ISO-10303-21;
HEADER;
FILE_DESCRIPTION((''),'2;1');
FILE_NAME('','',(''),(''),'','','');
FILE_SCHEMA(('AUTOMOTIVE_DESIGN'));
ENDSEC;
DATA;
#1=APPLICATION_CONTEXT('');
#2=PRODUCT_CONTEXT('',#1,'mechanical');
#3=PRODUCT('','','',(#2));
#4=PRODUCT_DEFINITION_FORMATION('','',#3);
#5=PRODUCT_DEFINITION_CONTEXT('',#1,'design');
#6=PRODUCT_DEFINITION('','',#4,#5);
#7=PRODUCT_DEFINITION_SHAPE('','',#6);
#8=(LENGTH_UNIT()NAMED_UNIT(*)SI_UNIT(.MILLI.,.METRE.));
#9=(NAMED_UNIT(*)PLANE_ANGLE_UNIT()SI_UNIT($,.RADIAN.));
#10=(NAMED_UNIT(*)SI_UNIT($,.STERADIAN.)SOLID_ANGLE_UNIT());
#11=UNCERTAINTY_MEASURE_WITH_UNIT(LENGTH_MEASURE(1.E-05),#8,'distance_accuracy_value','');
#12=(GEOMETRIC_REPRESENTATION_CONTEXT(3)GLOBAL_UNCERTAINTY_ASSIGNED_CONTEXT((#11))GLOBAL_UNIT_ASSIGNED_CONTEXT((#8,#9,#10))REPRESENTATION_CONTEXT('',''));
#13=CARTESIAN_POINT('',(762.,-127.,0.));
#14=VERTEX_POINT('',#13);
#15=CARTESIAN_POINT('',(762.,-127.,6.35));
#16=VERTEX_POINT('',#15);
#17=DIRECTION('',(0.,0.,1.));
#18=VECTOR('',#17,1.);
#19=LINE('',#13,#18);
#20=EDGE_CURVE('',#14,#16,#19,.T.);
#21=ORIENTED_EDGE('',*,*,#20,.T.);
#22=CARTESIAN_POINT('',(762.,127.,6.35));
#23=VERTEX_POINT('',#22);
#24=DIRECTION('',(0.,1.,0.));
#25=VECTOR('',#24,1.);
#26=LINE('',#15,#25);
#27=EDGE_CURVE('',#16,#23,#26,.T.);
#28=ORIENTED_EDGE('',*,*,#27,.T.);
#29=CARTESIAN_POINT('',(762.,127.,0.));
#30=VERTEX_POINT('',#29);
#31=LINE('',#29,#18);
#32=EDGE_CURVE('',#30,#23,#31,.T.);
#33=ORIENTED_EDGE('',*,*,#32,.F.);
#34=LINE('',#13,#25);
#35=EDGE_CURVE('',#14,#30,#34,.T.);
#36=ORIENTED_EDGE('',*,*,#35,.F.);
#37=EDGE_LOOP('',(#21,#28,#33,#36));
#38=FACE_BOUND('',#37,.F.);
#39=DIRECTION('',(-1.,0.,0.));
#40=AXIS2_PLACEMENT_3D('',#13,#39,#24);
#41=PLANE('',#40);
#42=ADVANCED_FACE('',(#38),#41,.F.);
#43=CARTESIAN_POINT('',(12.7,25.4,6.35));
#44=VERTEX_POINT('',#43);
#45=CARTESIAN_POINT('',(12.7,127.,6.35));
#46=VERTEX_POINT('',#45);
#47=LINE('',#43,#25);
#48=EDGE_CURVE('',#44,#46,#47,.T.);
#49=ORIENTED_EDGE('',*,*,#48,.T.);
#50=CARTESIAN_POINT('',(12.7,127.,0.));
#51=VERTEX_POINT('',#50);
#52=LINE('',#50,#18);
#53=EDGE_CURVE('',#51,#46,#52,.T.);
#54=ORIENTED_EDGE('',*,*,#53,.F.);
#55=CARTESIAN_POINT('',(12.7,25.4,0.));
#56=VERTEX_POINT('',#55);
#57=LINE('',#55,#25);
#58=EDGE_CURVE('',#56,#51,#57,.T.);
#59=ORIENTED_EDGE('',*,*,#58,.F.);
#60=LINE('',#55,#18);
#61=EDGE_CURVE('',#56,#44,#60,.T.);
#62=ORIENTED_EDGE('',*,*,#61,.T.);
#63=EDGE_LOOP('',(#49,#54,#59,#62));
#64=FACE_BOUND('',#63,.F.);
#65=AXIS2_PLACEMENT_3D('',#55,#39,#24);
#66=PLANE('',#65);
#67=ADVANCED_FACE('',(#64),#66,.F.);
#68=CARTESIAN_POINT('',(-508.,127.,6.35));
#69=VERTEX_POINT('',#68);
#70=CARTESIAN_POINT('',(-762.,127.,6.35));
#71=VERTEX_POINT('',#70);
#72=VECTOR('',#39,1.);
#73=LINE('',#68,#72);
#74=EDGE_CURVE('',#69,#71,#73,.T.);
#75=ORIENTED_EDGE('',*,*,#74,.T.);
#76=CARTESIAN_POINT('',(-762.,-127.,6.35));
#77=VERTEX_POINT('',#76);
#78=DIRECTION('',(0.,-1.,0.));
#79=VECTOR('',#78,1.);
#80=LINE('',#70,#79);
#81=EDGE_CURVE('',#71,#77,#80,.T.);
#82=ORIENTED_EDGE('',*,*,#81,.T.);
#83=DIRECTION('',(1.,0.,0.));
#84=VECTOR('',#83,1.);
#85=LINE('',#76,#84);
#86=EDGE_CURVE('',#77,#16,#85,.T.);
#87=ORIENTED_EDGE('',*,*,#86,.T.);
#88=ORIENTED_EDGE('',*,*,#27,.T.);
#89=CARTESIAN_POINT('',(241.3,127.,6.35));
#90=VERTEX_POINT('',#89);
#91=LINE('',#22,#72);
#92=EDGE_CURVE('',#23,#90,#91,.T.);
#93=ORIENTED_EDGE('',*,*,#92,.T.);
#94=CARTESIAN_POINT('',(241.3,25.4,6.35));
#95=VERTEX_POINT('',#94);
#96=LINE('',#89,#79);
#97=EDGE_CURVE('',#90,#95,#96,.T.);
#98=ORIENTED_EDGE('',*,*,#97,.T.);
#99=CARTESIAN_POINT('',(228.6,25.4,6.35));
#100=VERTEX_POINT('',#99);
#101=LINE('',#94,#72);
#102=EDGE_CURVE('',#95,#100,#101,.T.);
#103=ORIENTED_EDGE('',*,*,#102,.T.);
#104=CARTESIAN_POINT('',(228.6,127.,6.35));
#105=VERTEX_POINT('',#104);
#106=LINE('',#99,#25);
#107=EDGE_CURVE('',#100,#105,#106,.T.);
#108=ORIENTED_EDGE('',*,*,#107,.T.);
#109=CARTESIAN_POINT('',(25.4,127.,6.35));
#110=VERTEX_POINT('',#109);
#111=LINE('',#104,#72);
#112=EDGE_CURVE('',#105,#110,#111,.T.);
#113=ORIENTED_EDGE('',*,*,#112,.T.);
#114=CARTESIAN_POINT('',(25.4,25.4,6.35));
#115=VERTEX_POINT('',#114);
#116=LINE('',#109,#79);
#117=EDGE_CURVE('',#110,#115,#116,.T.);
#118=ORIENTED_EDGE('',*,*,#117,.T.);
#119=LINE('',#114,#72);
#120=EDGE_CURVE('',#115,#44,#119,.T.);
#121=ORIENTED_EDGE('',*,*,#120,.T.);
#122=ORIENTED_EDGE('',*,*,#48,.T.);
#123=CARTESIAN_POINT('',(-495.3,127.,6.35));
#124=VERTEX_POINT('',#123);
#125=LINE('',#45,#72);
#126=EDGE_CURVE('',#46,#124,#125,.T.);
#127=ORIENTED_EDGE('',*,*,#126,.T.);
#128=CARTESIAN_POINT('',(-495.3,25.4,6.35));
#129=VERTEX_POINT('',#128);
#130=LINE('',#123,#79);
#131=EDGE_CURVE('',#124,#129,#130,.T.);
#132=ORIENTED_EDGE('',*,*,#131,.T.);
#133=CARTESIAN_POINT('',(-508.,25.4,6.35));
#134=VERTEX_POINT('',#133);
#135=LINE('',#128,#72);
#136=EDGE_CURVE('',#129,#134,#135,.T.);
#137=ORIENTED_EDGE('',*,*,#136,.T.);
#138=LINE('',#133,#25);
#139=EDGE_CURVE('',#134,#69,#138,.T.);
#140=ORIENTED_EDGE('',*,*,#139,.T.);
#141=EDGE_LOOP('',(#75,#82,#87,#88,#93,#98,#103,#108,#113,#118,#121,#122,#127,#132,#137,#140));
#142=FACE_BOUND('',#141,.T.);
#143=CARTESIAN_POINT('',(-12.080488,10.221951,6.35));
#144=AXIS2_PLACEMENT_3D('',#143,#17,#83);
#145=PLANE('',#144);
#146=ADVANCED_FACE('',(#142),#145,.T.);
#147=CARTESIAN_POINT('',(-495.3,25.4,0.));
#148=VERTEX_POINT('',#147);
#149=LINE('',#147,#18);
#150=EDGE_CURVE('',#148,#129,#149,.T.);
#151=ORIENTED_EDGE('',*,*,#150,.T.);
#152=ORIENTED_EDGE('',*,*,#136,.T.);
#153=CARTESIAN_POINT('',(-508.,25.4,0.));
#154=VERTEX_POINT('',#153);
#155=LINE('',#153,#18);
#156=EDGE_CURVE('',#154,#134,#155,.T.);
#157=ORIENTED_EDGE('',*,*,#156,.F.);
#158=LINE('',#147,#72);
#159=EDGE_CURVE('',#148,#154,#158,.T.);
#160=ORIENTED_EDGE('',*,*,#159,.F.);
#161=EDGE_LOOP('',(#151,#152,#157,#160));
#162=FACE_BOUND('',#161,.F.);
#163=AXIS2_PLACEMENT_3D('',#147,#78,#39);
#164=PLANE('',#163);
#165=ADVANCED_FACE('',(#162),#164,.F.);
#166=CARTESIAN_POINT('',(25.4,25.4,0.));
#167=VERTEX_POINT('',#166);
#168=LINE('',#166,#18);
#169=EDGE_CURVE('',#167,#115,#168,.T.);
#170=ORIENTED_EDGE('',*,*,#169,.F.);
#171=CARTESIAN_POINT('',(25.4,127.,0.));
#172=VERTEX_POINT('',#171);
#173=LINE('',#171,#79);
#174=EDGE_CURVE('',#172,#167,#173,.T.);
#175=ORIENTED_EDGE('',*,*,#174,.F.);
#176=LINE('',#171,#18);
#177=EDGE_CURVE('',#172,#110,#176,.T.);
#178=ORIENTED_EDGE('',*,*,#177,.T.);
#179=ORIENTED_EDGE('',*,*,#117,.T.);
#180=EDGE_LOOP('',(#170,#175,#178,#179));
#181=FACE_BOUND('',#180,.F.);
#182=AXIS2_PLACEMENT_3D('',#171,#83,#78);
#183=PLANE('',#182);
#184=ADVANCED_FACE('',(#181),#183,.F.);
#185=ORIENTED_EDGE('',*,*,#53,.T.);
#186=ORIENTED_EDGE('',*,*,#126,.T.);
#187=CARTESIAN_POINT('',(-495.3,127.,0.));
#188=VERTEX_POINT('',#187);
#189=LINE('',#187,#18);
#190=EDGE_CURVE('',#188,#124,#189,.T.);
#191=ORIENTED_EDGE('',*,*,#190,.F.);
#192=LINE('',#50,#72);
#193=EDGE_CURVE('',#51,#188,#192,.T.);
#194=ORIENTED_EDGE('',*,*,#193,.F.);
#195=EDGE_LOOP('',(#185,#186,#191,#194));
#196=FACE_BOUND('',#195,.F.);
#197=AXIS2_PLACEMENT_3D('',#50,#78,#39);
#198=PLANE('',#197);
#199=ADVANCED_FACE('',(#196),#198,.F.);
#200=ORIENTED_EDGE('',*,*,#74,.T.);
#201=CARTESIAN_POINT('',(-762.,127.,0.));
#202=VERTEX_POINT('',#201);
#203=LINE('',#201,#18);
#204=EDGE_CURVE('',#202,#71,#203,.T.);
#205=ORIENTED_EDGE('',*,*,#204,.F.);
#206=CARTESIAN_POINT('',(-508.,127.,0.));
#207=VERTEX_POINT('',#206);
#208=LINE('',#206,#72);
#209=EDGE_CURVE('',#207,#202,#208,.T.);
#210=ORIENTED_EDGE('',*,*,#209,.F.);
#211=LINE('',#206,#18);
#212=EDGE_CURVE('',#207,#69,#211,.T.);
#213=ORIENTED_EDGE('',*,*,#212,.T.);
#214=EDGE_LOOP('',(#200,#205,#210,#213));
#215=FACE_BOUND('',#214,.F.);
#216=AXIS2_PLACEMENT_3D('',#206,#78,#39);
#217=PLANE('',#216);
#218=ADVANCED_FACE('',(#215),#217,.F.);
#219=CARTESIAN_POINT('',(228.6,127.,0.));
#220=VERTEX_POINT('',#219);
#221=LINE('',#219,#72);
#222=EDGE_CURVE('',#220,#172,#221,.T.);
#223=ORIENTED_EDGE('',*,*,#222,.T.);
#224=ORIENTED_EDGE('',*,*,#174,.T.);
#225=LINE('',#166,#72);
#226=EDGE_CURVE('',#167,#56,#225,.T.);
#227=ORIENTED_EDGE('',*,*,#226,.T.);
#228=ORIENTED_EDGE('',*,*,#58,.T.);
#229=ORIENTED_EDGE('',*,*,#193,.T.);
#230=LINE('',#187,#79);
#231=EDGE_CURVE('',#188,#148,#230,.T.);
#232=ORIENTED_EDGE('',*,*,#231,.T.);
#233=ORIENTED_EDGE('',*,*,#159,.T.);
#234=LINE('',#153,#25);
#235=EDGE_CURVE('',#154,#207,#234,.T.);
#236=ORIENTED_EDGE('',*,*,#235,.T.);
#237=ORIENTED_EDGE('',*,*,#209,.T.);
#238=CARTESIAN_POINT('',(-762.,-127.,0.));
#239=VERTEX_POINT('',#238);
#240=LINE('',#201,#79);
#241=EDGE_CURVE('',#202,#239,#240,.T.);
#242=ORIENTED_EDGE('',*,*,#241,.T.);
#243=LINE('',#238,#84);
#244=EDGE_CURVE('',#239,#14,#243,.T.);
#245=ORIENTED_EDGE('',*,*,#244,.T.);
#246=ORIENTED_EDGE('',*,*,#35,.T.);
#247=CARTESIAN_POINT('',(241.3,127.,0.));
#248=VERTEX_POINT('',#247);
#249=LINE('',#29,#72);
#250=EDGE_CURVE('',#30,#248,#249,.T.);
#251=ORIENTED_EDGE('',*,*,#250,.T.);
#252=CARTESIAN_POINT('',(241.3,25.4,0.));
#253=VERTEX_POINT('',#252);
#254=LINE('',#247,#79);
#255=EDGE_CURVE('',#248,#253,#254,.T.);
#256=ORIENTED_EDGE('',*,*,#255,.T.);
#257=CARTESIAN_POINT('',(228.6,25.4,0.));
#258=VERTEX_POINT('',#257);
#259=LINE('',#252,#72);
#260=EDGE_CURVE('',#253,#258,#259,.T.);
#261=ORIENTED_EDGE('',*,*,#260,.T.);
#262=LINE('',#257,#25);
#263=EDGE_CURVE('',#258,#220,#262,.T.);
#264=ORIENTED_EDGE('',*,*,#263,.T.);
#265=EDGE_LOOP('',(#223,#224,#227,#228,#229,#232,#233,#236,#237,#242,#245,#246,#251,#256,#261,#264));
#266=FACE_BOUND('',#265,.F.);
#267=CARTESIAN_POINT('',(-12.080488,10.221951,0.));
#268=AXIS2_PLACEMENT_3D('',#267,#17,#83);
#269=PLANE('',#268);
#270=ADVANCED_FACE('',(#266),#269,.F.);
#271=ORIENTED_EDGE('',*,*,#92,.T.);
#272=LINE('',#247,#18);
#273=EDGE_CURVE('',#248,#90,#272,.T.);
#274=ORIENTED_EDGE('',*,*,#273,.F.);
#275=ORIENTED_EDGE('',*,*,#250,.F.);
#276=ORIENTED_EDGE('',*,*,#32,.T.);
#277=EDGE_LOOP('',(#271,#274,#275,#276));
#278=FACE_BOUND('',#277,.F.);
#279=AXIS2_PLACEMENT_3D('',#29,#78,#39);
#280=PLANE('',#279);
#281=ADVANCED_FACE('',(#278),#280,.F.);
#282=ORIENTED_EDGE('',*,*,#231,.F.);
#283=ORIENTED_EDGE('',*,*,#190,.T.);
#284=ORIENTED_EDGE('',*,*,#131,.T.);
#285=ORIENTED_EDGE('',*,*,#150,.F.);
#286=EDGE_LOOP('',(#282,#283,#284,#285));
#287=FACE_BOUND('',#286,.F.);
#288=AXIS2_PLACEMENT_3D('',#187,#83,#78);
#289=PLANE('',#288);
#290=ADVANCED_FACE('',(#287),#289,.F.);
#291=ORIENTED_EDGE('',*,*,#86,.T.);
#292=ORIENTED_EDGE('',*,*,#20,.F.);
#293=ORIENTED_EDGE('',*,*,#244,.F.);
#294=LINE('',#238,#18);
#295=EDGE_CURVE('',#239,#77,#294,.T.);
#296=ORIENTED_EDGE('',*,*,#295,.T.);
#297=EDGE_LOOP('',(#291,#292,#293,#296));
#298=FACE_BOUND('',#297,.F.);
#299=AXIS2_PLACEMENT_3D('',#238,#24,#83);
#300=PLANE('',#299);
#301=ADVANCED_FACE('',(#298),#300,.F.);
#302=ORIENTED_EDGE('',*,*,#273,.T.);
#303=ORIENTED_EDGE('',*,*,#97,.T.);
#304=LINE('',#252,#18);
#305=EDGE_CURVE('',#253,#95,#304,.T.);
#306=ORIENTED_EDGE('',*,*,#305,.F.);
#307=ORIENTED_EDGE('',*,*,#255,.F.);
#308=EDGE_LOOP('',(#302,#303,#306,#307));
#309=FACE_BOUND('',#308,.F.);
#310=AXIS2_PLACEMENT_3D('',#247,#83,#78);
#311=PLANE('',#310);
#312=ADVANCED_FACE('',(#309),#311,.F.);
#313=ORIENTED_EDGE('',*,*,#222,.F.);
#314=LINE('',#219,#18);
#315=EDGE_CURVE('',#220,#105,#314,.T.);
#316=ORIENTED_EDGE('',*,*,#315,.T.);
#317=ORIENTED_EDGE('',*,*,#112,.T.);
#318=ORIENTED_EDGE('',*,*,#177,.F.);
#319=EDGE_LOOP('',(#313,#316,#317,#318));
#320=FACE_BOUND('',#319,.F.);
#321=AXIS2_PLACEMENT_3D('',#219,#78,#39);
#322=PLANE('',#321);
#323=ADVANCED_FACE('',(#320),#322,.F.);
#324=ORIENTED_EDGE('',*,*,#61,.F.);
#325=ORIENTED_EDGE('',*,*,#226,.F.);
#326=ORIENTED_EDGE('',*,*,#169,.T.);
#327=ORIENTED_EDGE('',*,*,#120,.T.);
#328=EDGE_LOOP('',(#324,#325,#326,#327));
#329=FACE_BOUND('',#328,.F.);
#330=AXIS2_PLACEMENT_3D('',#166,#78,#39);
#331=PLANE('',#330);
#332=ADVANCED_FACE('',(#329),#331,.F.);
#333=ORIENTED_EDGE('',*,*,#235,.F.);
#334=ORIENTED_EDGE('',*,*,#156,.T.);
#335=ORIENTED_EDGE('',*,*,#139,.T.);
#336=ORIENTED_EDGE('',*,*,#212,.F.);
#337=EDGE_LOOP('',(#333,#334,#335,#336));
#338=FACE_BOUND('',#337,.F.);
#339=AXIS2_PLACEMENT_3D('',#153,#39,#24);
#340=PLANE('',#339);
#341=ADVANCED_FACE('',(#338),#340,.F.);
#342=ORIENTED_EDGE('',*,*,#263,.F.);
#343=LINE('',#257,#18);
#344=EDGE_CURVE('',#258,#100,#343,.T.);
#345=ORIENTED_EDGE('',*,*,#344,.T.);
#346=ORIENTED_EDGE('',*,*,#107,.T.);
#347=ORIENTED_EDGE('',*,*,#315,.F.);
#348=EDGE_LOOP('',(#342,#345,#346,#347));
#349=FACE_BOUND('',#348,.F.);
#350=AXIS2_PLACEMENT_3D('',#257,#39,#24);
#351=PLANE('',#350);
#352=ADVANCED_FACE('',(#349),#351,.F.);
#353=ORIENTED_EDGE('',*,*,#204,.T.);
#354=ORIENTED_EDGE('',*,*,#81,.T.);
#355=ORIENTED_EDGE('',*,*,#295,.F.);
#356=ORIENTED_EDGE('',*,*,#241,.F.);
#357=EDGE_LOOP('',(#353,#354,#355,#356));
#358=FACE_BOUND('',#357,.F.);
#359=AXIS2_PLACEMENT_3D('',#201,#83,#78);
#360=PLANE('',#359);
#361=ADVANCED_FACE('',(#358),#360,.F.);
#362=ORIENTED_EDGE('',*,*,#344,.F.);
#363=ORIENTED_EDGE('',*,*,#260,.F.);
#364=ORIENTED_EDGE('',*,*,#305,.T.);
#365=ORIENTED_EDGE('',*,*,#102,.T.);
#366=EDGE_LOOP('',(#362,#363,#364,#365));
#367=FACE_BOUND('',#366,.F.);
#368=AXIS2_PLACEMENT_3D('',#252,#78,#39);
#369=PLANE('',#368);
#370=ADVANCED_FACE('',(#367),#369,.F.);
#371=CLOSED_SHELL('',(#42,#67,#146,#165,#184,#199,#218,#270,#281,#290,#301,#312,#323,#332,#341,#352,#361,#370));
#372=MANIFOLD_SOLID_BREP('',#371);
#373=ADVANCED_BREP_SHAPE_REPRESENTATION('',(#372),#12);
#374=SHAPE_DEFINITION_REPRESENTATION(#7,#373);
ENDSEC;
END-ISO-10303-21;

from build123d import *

# Parameters (mm, degrees)
F1_DEPTH = 6.35


with BuildPart() as f1:
    # F0 (on Top) → F1 (new body)
    with BuildSketch(Plane.XY):
        Polygon((-508, 127), (-762, 127), (-762, -127), (762, -127), (762, 127), (241.3, 127), (241.3, 25.4), (228.6, 25.4), (228.6, 127), (25.4, 127), (25.4, 25.4), (12.7, 25.4), (12.7, 127), (-495.3, 127), (-495.3, 25.4), (-508, 25.4), align=None)
    extrude(amount=F1_DEPTH)


solid = f1.part
